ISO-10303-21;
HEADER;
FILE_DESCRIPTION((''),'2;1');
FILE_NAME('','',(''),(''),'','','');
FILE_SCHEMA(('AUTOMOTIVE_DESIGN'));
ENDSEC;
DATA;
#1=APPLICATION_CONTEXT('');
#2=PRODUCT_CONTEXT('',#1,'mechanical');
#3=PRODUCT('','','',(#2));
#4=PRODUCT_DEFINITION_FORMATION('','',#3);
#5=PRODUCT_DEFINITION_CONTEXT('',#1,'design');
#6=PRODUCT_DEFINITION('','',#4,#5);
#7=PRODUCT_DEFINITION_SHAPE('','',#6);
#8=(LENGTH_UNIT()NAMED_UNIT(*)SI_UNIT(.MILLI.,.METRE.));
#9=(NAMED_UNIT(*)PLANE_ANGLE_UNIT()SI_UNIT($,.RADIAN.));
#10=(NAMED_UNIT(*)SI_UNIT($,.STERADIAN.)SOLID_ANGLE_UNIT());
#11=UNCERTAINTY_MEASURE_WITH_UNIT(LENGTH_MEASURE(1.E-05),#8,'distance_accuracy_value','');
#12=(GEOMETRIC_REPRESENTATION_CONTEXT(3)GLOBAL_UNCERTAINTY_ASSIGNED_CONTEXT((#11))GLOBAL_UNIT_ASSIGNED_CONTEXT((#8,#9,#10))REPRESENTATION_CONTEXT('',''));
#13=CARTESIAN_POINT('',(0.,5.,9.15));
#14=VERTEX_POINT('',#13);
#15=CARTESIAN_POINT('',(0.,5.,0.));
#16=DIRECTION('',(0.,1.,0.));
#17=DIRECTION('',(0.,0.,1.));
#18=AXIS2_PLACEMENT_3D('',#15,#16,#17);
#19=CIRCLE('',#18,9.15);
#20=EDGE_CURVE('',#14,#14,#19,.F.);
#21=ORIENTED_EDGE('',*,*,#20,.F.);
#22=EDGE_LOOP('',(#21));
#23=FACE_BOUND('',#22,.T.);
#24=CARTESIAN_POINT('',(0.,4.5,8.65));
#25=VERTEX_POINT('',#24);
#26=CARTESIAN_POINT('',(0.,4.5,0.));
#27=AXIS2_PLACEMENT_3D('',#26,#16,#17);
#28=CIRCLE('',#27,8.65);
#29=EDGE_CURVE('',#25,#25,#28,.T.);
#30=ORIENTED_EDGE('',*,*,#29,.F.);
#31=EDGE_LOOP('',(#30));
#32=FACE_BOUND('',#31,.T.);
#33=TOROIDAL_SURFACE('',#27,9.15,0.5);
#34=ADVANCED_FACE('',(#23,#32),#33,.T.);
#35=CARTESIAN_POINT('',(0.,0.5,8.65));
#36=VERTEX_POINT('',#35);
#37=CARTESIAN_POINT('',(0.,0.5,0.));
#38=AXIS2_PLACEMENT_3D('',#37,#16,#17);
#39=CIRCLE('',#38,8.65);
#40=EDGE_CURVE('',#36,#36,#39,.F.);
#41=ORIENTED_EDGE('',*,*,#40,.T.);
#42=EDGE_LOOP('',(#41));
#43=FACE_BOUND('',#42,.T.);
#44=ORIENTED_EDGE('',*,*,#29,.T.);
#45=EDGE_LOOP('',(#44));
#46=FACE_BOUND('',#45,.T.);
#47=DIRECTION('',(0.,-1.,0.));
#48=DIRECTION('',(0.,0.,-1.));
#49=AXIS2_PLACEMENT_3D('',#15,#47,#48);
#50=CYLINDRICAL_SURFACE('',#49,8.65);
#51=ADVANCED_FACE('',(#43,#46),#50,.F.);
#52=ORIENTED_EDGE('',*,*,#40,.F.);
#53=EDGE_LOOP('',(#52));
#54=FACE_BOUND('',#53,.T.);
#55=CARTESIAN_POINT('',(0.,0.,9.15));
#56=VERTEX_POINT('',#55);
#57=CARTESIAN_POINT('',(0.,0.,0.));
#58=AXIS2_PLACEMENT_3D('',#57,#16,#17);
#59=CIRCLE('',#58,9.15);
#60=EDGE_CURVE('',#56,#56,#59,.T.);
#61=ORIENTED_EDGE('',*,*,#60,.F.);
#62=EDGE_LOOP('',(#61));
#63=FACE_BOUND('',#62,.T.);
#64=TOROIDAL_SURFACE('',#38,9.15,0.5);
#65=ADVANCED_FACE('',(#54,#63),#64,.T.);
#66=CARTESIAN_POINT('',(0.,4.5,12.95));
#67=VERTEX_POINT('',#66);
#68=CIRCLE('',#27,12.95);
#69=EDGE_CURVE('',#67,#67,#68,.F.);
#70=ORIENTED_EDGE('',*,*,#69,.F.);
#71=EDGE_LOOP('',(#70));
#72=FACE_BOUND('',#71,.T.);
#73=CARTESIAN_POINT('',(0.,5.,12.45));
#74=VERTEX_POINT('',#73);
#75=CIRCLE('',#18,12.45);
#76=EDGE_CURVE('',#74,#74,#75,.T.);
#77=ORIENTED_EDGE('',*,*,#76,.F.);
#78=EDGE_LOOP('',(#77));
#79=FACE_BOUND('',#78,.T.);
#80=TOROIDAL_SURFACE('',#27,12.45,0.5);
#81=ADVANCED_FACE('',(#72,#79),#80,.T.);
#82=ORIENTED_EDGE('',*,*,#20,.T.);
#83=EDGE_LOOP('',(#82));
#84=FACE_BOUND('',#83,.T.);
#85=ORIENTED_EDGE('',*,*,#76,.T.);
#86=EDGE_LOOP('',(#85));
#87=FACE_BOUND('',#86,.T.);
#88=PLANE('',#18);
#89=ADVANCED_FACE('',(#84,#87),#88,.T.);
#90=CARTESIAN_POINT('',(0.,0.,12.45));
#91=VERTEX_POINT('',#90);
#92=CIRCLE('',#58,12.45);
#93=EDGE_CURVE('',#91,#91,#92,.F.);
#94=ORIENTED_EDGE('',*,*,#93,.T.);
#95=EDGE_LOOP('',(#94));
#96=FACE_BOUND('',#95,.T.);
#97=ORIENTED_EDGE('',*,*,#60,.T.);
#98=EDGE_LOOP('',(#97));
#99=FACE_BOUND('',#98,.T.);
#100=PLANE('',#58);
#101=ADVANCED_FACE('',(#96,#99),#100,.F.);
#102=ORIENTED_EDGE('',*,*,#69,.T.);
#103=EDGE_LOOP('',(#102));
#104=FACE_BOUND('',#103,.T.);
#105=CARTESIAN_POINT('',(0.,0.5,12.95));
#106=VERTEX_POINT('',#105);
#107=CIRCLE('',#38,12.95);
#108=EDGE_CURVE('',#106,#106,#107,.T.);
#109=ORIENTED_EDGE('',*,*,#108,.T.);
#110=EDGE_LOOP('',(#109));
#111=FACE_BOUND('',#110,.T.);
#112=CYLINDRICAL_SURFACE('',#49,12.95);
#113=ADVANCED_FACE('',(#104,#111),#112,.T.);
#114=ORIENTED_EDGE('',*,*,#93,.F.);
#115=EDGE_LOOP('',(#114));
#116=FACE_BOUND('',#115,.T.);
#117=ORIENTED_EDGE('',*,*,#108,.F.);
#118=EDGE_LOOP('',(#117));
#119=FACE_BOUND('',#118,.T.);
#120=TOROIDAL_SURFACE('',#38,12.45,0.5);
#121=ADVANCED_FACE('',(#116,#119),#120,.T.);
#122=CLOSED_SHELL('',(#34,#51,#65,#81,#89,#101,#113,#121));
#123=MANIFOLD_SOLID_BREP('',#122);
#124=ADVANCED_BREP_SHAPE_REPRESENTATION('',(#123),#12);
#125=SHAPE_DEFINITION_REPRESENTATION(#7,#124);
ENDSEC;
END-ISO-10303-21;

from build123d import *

# Parameters (mm, degrees)
SKETCH_1_R      = 12.95
SKETCH_1_R_2    = 8.65
EXTRUDE_1_DEPTH = 5
FILLET_1_R      = 0.5


with BuildPart() as part:
    # Эскиз1 → Бобышка-Вытянуть1 (new body)
    with BuildSketch(Plane(origin=(0, 0, 0), x_dir=(1, 0, 0), z_dir=(0, 1, 0))):
        with Locations(Location((0, 0, 0), (0, 0, 270))):
            Circle(SKETCH_1_R)
        with Locations(Location((0, 0, 0), (0, 0, 270))):
            Circle(SKETCH_1_R_2, mode=Mode.SUBTRACT)
    extrude(amount=EXTRUDE_1_DEPTH)

    # Скругление1
    fillet_1_edges = [part.edges().sort_by_distance(p)[0] for p in [
        (0, 0, -12.95),
        (0, 5, -12.95),
        (0, 0, -8.65),
        (0, 5, -8.65),
    ]]
    fillet(fillet_1_edges, radius=FILLET_1_R)


solid = part.part
